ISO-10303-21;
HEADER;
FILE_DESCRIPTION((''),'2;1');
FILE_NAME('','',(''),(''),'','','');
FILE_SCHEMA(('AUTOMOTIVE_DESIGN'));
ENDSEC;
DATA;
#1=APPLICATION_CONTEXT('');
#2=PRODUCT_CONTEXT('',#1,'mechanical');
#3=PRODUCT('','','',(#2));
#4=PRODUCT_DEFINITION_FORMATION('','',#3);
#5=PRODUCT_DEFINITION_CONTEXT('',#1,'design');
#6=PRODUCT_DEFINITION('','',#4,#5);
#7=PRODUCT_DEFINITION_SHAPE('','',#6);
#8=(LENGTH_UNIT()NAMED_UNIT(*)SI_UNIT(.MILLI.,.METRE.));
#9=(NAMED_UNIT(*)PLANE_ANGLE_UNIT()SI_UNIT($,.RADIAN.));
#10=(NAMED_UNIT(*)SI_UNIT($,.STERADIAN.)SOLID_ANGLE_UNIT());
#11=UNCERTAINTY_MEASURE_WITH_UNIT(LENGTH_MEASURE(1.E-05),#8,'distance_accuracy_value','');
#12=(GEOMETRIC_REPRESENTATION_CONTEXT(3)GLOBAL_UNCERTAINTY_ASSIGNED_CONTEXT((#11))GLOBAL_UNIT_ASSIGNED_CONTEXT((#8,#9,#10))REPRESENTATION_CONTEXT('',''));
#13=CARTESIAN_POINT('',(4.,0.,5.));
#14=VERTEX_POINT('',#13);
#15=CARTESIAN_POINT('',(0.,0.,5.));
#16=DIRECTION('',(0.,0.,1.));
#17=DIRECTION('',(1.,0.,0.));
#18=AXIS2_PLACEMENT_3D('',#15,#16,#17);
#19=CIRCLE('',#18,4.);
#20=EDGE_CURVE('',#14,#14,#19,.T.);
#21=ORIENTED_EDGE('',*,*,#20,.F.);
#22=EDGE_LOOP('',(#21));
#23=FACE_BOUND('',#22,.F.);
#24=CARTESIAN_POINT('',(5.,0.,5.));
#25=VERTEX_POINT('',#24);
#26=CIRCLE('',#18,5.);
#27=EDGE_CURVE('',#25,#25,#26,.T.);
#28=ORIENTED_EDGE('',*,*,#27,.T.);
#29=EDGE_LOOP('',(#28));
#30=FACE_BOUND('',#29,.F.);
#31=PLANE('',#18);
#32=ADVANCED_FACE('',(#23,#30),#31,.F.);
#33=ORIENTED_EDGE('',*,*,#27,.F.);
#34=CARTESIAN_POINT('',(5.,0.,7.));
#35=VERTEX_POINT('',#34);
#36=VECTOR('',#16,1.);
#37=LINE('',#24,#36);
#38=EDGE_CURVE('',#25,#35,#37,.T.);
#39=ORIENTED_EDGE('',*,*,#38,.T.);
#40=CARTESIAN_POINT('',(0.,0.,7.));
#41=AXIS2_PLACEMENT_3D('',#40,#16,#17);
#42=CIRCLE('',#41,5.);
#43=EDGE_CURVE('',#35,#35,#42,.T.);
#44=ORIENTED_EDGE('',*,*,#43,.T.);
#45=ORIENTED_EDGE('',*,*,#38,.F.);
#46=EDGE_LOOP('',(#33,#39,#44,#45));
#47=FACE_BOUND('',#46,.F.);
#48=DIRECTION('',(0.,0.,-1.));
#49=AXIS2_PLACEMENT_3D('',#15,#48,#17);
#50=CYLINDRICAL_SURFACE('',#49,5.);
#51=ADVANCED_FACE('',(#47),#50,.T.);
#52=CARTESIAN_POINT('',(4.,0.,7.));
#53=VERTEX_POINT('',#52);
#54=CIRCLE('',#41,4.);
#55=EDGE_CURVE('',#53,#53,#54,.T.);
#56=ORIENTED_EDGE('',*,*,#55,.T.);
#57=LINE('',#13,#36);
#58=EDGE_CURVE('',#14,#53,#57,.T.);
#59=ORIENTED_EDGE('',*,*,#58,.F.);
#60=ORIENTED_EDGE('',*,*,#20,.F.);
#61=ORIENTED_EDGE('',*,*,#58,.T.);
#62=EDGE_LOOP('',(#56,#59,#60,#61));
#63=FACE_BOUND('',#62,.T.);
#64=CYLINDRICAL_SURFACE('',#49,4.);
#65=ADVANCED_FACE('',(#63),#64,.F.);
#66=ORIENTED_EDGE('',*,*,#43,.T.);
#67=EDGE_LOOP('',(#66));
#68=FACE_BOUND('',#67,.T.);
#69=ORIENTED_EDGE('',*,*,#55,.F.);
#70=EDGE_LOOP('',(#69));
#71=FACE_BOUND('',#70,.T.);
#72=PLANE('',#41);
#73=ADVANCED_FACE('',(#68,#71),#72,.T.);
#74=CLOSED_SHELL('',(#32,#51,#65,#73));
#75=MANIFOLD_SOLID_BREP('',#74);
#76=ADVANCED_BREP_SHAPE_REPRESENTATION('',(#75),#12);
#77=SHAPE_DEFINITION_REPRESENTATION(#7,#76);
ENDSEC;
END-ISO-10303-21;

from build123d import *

# Parameters (mm, degrees)
CYLINDER006_R     = 4
CYLINDER006_DEPTH = 2
CYLINDER005_R     = 5
CYLINDER005_DEPTH = 2


with BuildPart() as cylinder006:
    # Cylinder006 → Cylinder006 (new body)
    with BuildSketch(Plane.XY.offset(-6)):
        Circle(CYLINDER006_R)
    extrude(amount=CYLINDER006_DEPTH)


with BuildPart() as cut002:
    # Cylinder005 → Cylinder005 (new body)
    with BuildSketch(Plane.XY.offset(-6)):
        Circle(CYLINDER005_R)
    extrude(amount=CYLINDER005_DEPTH)

    # Cut002: cut Cylinder006
    add(cylinder006.part, mode=Mode.SUBTRACT)


with BuildPart() as cut002_1:
    # Cut002 placement: moved
    add(cut002.part.moved(Location((0, 0, 11))))


solid = cut002_1.part
